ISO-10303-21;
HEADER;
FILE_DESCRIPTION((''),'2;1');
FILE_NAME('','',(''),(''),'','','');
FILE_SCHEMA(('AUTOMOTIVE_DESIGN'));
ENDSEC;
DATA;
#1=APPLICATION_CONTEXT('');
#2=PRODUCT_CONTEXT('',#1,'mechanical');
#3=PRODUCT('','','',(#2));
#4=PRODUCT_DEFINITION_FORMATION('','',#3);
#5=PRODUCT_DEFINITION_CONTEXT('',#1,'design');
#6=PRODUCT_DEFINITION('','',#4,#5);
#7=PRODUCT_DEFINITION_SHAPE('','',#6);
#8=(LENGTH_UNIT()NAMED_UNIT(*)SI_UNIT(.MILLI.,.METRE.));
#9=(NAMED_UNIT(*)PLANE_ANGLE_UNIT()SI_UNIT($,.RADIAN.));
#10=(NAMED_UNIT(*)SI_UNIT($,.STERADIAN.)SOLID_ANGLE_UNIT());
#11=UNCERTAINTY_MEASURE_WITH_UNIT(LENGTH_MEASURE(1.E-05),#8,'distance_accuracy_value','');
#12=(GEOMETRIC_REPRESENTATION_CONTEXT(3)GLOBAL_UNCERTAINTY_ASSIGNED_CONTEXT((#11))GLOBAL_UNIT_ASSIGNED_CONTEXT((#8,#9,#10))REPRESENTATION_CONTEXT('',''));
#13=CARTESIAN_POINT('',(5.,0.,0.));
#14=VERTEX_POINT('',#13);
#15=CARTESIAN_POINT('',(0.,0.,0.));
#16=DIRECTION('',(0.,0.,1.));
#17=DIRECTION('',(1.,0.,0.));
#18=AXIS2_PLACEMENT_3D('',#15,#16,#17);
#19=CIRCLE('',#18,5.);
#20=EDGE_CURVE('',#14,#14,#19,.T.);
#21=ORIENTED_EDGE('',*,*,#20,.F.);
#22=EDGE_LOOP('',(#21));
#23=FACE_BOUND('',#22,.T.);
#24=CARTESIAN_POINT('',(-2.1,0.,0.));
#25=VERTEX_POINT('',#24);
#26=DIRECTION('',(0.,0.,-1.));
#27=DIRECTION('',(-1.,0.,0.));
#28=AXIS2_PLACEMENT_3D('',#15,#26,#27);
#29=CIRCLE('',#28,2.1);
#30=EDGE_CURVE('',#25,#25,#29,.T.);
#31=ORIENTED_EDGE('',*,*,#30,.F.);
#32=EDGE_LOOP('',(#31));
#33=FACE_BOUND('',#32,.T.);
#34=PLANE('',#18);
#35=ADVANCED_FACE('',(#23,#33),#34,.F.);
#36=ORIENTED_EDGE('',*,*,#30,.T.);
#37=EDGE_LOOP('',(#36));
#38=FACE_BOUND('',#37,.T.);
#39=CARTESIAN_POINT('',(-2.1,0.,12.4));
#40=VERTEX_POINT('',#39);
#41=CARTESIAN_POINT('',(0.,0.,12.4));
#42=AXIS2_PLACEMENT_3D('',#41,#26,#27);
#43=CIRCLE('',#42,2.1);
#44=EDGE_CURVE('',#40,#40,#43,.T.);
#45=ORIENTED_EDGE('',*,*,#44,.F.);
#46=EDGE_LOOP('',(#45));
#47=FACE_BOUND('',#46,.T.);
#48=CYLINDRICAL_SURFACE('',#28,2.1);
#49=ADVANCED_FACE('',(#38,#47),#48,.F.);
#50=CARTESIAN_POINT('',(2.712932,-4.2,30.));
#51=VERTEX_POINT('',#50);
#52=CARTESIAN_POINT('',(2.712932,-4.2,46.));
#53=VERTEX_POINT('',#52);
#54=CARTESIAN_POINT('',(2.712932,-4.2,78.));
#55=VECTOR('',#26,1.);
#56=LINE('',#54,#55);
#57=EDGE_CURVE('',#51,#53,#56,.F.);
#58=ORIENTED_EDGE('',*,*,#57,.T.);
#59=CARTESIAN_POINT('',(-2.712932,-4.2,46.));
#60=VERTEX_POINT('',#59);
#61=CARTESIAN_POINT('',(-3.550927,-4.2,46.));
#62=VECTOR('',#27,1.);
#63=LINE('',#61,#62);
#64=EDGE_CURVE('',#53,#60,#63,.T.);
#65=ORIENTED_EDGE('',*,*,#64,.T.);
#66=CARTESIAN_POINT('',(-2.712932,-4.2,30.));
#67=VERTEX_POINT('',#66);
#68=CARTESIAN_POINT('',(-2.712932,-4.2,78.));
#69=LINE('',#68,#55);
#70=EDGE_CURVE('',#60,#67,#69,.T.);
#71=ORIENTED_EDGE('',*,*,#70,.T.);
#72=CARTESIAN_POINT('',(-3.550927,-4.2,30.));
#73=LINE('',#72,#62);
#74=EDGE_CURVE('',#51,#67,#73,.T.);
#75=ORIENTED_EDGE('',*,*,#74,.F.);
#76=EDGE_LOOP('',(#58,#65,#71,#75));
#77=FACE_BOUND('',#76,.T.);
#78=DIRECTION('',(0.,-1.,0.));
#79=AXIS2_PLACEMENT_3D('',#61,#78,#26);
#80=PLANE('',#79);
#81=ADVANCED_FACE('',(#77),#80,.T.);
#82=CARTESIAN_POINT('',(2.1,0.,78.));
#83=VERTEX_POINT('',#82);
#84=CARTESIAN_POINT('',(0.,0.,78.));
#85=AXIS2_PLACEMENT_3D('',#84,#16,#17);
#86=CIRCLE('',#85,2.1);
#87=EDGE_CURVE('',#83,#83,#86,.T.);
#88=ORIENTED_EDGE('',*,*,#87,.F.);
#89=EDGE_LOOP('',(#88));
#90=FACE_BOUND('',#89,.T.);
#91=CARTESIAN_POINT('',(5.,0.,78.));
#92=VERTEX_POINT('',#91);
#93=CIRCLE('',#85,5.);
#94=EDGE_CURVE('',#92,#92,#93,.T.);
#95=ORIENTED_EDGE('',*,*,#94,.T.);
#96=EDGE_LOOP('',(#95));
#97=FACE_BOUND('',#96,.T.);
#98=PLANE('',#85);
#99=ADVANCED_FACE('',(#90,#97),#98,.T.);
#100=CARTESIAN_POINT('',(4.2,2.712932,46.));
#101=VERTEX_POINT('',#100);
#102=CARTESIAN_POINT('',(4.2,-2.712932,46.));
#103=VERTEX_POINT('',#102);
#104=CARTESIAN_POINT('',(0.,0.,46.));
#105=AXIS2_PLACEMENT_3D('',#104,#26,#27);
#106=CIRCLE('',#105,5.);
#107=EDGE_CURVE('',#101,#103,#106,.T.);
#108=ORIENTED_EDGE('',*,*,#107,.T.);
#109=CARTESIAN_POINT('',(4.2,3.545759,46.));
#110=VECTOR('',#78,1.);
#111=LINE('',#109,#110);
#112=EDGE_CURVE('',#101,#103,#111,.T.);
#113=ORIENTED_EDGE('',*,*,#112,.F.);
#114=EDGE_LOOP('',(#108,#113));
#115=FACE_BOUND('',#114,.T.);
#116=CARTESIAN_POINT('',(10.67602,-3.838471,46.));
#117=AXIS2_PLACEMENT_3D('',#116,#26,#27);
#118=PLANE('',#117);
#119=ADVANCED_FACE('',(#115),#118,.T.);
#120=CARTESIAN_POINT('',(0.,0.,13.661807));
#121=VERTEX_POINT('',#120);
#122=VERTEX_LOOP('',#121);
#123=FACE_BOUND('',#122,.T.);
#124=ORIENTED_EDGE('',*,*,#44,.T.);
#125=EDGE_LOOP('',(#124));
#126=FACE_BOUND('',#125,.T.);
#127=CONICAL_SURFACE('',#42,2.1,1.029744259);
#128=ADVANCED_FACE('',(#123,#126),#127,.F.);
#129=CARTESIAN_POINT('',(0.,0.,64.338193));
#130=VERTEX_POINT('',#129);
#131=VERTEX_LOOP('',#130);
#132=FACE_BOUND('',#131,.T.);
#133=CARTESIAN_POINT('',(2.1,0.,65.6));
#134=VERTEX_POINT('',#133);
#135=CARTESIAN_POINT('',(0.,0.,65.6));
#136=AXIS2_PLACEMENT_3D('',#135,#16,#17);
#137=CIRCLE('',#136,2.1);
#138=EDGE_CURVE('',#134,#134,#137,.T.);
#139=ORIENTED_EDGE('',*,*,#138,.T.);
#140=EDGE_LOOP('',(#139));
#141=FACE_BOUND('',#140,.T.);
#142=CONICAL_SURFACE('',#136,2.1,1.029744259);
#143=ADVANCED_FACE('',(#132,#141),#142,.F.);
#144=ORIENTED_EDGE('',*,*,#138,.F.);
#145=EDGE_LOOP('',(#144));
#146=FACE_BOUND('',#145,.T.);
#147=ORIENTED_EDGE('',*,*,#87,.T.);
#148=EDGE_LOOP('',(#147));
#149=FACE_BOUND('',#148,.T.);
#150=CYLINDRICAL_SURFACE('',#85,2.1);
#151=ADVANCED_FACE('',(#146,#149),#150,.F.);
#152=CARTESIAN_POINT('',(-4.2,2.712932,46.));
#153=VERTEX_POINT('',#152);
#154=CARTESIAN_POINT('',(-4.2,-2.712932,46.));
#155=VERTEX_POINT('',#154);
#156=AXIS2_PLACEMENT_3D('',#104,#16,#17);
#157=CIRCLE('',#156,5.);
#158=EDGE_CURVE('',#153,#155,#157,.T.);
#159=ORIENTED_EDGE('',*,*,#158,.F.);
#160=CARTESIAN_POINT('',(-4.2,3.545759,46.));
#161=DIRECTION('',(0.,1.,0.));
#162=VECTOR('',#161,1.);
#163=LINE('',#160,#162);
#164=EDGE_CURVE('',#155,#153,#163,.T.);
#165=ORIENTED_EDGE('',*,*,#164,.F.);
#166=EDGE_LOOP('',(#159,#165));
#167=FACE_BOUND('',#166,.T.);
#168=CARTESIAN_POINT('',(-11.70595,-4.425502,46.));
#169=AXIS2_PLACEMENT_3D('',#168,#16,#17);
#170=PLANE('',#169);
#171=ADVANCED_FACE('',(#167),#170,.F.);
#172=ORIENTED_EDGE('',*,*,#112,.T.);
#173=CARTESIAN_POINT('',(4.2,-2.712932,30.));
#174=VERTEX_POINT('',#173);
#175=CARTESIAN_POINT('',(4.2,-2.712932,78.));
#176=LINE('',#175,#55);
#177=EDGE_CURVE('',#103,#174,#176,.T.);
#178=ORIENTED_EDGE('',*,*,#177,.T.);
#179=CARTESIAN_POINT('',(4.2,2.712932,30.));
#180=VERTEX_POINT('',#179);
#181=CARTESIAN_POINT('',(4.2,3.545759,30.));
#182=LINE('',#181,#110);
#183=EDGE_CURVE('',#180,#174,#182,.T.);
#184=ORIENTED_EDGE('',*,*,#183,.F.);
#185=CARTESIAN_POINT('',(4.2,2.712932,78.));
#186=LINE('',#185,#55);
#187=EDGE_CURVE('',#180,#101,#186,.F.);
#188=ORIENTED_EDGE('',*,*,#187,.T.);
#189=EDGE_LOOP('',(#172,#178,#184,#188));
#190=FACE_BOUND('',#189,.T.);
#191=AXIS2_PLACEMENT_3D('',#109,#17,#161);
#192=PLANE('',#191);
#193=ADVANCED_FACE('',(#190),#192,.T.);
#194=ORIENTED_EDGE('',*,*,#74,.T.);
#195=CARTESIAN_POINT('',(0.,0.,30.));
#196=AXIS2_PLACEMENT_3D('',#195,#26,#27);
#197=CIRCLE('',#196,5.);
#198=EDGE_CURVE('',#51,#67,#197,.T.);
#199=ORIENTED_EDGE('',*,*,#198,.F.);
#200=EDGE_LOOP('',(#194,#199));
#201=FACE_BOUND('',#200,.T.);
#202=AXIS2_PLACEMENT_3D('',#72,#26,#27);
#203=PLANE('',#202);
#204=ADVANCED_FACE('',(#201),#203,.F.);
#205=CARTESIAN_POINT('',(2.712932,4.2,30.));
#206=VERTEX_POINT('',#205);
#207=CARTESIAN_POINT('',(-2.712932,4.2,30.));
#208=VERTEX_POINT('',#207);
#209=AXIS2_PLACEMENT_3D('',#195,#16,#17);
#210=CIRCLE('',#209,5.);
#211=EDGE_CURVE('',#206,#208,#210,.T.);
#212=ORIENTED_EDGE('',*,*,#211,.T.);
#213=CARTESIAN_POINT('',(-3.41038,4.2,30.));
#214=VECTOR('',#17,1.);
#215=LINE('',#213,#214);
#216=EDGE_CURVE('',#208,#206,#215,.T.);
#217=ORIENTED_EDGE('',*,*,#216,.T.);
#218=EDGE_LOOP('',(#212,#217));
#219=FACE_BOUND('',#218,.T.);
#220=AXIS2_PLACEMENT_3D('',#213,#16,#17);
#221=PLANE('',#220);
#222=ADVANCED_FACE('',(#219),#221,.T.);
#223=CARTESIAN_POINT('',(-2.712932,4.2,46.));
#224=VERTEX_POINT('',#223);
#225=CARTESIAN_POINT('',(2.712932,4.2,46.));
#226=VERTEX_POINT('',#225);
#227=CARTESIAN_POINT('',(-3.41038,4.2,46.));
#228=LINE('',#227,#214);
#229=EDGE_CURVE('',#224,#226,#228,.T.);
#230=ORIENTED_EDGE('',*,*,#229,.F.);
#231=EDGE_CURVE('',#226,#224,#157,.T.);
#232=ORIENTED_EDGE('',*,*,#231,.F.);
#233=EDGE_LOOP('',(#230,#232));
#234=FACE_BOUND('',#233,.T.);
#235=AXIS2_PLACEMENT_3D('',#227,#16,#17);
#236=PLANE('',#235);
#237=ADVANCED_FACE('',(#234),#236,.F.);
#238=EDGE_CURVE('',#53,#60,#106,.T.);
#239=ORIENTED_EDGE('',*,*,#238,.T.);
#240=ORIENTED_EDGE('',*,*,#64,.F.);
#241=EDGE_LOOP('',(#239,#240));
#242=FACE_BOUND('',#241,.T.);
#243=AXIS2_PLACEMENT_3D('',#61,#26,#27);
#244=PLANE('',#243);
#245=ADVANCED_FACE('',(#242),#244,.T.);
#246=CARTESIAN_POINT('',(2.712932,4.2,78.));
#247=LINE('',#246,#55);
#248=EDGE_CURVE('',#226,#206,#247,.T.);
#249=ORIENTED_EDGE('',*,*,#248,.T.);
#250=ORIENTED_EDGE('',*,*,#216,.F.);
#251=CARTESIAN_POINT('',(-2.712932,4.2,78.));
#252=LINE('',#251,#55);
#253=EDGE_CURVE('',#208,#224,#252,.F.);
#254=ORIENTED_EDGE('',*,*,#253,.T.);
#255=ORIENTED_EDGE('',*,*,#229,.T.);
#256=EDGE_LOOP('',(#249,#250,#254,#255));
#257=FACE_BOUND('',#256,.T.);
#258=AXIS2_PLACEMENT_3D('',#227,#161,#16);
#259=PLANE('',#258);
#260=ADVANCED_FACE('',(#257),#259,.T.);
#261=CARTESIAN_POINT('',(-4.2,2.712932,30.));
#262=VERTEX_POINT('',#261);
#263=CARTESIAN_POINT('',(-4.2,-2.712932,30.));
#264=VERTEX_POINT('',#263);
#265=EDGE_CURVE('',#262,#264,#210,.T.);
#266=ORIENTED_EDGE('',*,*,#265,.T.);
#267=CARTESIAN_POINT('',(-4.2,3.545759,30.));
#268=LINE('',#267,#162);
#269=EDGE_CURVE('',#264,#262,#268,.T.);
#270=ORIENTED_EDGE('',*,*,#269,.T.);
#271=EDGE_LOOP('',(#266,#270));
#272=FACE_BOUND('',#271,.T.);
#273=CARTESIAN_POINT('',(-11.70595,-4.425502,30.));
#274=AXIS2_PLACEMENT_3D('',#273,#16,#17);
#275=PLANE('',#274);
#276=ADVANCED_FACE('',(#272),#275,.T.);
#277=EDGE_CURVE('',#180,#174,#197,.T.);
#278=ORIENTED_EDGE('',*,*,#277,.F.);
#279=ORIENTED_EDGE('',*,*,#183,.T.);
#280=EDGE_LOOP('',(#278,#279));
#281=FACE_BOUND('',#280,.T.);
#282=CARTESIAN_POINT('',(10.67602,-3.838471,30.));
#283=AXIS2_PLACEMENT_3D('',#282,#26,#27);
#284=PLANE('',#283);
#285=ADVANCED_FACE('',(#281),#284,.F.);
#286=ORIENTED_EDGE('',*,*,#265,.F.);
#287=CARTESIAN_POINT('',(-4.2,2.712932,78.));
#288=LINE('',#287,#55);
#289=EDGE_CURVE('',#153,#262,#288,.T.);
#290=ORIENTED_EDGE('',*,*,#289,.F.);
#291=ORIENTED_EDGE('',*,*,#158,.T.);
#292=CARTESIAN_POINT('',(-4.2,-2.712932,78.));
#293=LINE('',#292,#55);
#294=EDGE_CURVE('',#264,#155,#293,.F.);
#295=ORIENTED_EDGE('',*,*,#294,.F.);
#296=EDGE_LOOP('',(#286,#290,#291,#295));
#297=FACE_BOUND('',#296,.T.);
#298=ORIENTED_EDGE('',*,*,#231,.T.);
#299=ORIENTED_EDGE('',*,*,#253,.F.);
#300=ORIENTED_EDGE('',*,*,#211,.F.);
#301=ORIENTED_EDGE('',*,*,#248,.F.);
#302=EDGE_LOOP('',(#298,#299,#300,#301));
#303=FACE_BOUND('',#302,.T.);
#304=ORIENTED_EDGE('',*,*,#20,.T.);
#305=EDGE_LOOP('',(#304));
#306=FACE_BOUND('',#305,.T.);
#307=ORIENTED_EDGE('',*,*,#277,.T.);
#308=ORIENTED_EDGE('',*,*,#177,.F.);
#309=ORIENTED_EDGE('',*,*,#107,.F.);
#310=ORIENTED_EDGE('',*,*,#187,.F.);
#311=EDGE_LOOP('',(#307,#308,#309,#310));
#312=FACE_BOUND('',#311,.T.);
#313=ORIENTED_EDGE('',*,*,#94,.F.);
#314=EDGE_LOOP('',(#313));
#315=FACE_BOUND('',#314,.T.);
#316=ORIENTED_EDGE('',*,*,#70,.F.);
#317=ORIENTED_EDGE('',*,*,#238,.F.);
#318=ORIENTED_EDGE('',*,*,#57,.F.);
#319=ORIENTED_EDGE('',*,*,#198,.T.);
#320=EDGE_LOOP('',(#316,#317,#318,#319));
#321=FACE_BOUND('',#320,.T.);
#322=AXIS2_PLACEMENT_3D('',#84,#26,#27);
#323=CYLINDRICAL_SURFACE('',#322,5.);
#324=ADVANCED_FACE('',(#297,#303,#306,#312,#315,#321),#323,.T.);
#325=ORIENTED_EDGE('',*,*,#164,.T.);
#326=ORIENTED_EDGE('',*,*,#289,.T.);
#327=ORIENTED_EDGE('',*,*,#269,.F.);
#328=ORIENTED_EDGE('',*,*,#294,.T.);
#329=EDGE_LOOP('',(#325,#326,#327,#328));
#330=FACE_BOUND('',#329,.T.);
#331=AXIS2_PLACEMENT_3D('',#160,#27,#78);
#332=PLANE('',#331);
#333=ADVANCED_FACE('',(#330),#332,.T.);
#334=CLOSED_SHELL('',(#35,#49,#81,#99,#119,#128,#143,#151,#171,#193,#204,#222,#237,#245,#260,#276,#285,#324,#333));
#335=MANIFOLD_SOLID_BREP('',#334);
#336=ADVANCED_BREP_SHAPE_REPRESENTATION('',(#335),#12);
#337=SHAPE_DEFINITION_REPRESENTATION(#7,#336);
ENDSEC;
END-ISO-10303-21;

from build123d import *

# Parameters (mm, degrees)
SKETCH_1_R               = 5
EXTRUDE_1_DEPTH          = 78
HOLE_WIZARD_M5_1_D       = 4.2
HOLE_WIZARD_M5_1_DEPTH   = 12.4
HOLE_WIZARD_M5_1_TIP     = 1.2618073
HOLE_WIZARD_M5_2_D       = 4.2
HOLE_WIZARD_M5_2_DEPTH   = 12.4
HOLE_WIZARD_M5_2_TIP     = 1.2618073
CUT_EXTRUDE_1_DEPTH      = 8
CUT_EXTRUDE_1_DEPTH_BACK = 8
SKETCH_6_W               = 7.505950336
SKETCH_6_H               = 7.971260953
SKETCH_6_W_2             = 6.842029893
SKETCH_6_H_2             = 4.427384225
SKETCH_6_W_3             = 6.476020113
SKETCH_6_H_3             = 7.384230107
SKETCH_6_W_4             = 6.951681063
SKETCH_6_H_4             = 4.627406651


with BuildPart() as part:
    # 草图1 → 凸台-拉伸1 (new body)
    with BuildSketch(Plane.XY):
        Circle(SKETCH_1_R)
    extrude(amount=EXTRUDE_1_DEPTH)

    # M5 螺纹孔1
    with Locations(Plane.XY.offset(78)):
        with Locations((0, 0)):
            Hole(HOLE_WIZARD_M5_1_D / 2, depth=HOLE_WIZARD_M5_1_DEPTH)
            with Locations((0, 0, -(HOLE_WIZARD_M5_1_DEPTH + HOLE_WIZARD_M5_1_TIP / 2))):  # 118° drill point
                Cone(0, HOLE_WIZARD_M5_1_D / 2, HOLE_WIZARD_M5_1_TIP, mode=Mode.SUBTRACT)

    # M5 螺纹孔2
    with Locations(Plane(origin=(0, 0, 0), x_dir=(-1, 0, 0), z_dir=(0, 0, -1))):
        with Locations((0, 0)):
            Hole(HOLE_WIZARD_M5_2_D / 2, depth=HOLE_WIZARD_M5_2_DEPTH)
            with Locations((0, 0, -(HOLE_WIZARD_M5_2_DEPTH + HOLE_WIZARD_M5_2_TIP / 2))):  # 118° drill point
                Cone(0, HOLE_WIZARD_M5_2_D / 2, HOLE_WIZARD_M5_2_TIP, mode=Mode.SUBTRACT)

    # 草图6 → 切除-拉伸1 (cut, two sides: drawn at the far end of the back side and taken through both)
    with BuildSketch(Plane.XY.offset(38).offset(-CUT_EXTRUDE_1_DEPTH_BACK)):
        with Locations((-7.952975168, -0.439871177)):
            Rectangle(SKETCH_6_W, SKETCH_6_H)
        with Locations((0.010635023, 6.413692112)):
            Rectangle(SKETCH_6_W_2, SKETCH_6_H_2)
        with Locations((7.438010056, -0.146355753)):
            Rectangle(SKETCH_6_W_3, SKETCH_6_H_3)
        with Locations((-0.075086924, -6.513703325)):
            Rectangle(SKETCH_6_W_4, SKETCH_6_H_4)
    extrude(amount=CUT_EXTRUDE_1_DEPTH + CUT_EXTRUDE_1_DEPTH_BACK, mode=Mode.SUBTRACT)


solid = part.part
